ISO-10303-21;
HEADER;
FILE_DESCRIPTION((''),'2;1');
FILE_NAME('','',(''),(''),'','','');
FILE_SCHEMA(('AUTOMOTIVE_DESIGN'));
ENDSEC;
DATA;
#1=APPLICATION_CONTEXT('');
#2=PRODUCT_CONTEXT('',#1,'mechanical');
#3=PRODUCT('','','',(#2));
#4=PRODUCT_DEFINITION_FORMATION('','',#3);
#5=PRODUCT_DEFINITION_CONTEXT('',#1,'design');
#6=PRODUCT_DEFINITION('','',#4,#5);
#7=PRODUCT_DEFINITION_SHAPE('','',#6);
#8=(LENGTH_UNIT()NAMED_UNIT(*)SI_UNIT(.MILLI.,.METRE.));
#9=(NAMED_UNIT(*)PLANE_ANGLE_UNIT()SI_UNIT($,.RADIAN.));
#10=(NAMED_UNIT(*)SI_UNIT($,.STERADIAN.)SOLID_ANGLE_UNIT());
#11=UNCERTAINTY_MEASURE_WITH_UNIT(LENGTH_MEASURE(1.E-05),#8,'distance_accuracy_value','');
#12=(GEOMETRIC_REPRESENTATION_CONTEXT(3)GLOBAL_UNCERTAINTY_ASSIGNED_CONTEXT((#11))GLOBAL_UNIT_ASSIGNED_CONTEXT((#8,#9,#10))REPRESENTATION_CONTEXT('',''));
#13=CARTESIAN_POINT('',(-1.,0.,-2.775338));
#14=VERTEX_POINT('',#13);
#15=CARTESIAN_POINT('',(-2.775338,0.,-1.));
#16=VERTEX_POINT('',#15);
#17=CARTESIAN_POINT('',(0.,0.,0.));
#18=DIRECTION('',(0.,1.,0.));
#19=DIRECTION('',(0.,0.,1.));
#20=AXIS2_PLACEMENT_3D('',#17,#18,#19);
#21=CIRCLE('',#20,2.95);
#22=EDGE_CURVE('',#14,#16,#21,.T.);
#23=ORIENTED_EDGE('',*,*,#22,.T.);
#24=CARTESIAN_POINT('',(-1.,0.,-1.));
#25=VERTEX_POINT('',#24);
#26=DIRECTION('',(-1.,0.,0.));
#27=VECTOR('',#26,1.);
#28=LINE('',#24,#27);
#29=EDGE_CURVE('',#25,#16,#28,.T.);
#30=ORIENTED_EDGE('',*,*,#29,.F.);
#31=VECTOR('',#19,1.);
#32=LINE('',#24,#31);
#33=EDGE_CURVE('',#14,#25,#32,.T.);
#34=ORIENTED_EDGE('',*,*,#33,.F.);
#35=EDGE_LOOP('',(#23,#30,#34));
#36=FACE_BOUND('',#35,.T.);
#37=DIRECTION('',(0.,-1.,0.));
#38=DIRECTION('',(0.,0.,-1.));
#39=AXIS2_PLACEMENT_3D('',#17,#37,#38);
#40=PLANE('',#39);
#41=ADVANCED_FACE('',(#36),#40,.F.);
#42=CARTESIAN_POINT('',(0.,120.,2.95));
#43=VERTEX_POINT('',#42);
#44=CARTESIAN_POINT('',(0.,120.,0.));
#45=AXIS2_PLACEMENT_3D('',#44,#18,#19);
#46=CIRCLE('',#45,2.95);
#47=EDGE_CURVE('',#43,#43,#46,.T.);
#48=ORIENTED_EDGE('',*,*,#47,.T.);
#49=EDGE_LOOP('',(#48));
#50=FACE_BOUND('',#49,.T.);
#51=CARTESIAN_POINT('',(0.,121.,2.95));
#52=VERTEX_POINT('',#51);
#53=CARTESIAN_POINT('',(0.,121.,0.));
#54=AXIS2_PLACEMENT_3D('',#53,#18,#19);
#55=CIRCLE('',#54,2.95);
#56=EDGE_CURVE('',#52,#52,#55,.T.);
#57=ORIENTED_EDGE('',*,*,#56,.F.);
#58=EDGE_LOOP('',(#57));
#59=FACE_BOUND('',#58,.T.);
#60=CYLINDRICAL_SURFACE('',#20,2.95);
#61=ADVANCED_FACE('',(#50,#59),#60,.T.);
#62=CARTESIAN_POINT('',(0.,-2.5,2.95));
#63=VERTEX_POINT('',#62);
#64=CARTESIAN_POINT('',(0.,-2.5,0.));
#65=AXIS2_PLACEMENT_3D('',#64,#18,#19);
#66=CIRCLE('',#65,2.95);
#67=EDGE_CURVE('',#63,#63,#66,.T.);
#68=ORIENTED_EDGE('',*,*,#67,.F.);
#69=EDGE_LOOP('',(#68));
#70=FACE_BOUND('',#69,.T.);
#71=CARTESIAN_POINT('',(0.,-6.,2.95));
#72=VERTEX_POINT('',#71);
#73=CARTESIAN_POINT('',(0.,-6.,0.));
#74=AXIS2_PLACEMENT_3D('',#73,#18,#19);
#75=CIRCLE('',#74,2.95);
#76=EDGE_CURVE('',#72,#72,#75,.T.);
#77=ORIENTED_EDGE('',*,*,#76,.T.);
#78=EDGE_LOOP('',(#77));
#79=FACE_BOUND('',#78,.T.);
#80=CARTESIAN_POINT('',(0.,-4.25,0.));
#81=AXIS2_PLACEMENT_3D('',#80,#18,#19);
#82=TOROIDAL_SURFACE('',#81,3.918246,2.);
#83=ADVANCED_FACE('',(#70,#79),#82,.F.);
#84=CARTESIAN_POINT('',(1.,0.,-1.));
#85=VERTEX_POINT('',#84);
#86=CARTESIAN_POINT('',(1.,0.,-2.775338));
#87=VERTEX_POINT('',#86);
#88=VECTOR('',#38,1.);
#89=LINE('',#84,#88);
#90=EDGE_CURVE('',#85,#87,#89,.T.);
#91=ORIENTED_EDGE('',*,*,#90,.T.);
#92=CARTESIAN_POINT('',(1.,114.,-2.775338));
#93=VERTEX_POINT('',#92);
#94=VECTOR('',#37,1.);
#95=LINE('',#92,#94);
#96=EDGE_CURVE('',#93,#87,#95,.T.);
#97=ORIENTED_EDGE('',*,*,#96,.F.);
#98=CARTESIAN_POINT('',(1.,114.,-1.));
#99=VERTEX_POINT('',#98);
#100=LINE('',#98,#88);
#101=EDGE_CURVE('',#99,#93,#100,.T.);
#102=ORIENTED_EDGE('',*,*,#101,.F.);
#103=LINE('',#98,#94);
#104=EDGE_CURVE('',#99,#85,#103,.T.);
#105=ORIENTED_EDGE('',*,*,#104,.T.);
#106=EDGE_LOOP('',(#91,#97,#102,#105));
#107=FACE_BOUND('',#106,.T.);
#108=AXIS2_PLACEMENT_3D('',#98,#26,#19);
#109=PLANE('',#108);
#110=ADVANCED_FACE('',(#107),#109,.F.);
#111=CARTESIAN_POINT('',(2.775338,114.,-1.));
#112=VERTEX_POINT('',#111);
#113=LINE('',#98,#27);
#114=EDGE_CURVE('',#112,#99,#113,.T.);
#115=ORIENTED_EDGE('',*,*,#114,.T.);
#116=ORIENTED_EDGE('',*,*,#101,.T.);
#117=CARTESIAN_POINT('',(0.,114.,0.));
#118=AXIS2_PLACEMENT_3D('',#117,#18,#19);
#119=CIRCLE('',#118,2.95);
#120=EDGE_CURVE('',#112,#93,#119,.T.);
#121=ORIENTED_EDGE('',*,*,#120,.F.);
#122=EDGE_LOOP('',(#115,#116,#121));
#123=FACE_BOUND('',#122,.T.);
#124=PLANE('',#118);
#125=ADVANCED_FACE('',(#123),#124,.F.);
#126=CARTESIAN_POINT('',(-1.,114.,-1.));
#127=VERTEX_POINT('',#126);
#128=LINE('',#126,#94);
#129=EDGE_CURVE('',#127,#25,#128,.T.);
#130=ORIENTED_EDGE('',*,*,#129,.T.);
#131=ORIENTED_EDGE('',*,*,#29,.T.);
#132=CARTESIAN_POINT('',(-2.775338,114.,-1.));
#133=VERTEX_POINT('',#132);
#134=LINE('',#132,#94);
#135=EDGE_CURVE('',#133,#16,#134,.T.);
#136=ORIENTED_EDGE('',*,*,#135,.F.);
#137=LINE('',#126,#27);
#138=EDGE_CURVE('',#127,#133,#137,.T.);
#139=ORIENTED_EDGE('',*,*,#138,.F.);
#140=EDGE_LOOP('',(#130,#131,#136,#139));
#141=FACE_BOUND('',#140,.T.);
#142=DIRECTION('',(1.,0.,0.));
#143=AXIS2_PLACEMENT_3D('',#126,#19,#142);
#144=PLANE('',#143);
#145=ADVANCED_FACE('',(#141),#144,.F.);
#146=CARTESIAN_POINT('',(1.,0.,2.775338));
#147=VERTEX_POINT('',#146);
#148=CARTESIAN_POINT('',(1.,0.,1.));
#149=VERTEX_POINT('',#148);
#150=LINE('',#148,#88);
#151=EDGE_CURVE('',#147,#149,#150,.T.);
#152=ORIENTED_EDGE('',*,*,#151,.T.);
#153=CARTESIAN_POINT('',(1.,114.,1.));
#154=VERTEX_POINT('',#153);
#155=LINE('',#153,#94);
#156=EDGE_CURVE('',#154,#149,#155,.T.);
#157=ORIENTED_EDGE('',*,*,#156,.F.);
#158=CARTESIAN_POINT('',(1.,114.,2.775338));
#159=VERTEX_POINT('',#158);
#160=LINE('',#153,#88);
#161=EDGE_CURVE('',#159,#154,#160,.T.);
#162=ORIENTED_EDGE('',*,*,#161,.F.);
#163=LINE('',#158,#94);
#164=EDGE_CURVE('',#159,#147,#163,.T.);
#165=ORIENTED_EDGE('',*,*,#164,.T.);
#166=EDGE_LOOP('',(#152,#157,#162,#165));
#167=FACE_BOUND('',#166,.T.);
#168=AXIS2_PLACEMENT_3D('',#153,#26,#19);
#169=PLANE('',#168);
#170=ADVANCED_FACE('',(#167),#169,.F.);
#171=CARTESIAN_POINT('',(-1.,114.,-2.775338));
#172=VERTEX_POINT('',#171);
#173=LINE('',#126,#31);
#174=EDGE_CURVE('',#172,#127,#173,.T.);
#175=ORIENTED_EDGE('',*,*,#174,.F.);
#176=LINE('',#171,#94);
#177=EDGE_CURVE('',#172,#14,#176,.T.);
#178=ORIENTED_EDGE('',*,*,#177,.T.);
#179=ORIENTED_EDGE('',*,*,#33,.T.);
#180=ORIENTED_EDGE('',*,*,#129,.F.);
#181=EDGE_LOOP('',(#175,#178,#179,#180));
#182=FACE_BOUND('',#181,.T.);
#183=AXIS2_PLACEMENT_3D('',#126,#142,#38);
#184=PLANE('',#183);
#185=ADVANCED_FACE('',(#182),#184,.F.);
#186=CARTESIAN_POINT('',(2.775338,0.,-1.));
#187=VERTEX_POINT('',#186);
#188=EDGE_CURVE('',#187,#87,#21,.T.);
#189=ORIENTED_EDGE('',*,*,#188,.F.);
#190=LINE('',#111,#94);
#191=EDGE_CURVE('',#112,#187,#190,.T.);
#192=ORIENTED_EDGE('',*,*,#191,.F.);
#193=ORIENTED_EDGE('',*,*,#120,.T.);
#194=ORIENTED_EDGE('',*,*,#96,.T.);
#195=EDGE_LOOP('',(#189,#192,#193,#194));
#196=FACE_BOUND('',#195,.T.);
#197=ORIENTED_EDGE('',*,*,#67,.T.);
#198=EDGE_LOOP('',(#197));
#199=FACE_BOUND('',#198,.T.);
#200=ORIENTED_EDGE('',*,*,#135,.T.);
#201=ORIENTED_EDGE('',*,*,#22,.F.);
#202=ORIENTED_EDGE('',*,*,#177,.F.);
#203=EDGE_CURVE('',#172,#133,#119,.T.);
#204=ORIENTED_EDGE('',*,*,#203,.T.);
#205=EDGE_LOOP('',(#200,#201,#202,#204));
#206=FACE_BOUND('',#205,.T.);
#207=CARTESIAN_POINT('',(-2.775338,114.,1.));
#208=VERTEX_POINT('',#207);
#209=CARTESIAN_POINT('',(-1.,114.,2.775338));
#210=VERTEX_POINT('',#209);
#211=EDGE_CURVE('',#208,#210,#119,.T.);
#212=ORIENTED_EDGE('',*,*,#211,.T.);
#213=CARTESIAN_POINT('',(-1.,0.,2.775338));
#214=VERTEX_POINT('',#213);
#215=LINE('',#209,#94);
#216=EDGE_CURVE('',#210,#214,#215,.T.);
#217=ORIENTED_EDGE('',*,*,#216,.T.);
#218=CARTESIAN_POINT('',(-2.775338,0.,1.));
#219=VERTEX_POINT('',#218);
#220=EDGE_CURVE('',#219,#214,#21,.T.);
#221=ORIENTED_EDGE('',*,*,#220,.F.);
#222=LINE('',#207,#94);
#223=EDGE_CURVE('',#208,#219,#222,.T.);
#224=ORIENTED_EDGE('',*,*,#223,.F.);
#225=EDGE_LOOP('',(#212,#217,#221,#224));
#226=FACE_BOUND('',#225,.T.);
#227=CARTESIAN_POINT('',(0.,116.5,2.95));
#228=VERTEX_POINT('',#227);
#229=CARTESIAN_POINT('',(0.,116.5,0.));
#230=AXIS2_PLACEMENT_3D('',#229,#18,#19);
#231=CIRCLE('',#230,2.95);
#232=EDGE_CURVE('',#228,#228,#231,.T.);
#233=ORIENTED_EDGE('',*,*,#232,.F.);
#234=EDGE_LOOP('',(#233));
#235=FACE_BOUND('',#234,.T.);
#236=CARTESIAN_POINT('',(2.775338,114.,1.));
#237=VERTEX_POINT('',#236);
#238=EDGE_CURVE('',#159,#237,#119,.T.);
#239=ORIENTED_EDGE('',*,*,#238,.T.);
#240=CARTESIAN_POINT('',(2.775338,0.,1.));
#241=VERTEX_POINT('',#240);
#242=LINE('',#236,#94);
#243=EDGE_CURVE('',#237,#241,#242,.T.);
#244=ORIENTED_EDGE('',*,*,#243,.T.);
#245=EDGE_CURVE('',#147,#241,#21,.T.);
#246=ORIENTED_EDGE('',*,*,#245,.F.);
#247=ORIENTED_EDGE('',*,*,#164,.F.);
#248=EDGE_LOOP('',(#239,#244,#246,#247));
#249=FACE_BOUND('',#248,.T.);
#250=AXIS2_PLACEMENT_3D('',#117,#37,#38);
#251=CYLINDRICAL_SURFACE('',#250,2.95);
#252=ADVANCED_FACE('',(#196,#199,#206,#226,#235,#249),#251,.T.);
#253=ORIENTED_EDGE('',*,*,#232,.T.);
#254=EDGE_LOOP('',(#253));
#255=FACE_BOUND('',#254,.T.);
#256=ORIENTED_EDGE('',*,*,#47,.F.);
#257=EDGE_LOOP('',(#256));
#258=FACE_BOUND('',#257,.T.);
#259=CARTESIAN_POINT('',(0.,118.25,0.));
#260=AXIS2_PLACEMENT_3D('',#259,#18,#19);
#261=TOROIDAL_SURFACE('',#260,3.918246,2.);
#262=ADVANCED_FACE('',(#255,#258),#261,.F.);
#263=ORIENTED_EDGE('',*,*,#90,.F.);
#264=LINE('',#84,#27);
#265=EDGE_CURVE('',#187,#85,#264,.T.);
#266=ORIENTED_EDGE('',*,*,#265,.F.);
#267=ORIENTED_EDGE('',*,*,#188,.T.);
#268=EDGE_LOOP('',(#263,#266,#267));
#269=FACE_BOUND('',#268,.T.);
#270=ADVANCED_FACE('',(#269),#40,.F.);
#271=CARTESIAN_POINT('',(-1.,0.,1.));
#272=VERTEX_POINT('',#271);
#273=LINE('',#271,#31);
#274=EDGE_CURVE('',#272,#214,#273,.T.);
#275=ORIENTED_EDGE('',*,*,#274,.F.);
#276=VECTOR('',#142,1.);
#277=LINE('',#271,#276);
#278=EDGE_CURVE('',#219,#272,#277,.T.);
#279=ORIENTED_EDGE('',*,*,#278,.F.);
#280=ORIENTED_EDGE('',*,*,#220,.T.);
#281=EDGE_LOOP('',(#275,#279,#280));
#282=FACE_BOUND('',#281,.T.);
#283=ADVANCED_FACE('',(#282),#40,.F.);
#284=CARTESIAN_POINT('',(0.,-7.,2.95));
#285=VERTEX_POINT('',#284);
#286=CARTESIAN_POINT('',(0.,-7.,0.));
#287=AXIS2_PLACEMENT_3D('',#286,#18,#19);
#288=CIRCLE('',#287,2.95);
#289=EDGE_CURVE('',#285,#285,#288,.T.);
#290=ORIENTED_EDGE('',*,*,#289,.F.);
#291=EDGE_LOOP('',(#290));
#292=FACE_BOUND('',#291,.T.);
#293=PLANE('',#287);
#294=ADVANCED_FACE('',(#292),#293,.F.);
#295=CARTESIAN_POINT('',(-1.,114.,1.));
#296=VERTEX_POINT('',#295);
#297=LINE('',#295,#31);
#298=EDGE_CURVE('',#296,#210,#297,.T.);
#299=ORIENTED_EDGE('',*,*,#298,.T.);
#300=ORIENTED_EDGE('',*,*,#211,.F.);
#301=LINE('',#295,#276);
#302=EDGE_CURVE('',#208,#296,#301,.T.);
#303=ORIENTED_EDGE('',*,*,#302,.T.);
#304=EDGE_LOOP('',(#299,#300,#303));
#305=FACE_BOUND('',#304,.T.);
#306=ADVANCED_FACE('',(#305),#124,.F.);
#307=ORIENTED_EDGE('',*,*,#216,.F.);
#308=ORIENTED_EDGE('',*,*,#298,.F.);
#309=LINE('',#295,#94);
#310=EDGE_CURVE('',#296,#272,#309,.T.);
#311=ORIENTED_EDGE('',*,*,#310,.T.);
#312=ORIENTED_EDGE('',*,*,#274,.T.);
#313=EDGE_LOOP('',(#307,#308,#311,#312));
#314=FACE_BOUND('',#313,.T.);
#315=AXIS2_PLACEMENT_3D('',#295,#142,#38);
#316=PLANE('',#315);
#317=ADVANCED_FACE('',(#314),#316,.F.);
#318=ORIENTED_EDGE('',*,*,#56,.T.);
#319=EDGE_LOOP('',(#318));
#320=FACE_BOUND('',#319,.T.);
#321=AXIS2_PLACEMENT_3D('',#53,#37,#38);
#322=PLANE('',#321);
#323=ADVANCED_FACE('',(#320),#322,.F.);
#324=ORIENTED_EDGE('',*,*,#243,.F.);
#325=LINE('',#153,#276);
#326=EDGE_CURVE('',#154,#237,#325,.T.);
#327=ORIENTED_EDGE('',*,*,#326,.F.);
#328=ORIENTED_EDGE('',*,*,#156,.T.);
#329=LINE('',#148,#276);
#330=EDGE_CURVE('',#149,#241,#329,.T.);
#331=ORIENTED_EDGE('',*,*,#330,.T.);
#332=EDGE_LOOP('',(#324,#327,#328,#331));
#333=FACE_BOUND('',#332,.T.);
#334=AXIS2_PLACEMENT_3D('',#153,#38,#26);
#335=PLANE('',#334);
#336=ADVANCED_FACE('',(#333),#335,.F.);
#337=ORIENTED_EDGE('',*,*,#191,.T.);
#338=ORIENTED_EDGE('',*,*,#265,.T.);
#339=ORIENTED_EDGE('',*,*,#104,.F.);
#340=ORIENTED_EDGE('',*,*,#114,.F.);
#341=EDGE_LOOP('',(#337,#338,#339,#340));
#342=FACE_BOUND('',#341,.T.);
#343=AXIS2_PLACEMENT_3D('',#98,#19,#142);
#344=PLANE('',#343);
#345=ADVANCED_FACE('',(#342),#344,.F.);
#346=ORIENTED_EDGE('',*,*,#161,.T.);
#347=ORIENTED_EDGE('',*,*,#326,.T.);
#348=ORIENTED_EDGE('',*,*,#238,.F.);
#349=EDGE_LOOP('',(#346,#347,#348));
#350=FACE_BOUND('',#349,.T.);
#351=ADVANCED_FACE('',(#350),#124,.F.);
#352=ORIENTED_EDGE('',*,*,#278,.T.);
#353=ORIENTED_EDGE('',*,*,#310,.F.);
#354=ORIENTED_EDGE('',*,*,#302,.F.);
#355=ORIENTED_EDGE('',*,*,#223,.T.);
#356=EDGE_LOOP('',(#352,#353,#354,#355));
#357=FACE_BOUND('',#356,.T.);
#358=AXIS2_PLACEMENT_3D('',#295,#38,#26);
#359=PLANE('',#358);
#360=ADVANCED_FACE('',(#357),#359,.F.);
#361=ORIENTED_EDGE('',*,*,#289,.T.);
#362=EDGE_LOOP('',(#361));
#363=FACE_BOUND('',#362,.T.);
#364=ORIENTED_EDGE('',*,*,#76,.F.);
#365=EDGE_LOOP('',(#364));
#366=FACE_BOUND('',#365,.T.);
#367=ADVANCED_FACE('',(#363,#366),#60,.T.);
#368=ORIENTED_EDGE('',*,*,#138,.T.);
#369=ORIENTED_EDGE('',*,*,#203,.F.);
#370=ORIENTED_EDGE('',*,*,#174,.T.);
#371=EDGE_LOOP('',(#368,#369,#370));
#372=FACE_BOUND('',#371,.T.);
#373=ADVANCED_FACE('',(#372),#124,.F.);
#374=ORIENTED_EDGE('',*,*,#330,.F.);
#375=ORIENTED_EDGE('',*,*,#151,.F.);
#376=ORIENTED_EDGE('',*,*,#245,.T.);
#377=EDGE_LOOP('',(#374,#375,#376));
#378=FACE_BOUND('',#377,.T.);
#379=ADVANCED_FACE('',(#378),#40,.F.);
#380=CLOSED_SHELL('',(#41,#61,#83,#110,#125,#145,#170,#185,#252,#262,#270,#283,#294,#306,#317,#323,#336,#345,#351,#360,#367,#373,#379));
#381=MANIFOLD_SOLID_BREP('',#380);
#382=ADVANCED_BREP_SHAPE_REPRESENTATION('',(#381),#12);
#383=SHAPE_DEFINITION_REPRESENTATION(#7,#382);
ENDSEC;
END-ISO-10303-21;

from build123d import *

# Parameters (mm, degrees)
EXTRUDE_2_DEPTH = 114


with BuildPart() as part:
    # 草图1 → 凸台-拉伸2 (new body)
    with BuildSketch(Plane(origin=(0, 0, 0), x_dir=(1, 0, 0), z_dir=(0, 1, 0))):
        with BuildLine():
            Line((1, 1), (1, 2.775338))
            ThreePointArc((1, 2.775338), (0, 2.95), (-1, 2.775338))
            Line((-1, 2.775338), (-1, 1))
            Line((-1, 1), (-2.775338, 1))
            ThreePointArc((-2.775338, 1), (-2.95, 0), (-2.775338, -1))
            Line((-2.775338, -1), (-1, -1))
            Line((-1, -1), (-1, -2.775338))
            ThreePointArc((-1, -2.775338), (0, -2.95), (1, -2.775338))
            Line((1, -2.775338), (1, -1))
            Line((1, -1), (2.775338, -1))
            ThreePointArc((2.775338, -1), (2.95, 0), (2.775338, 1))
            Line((2.775338, 1), (1, 1))
        make_face()
    extrude(amount=EXTRUDE_2_DEPTH)

    # 草图3 → 旋转3 (revolve)
    with BuildSketch(Plane(origin=(0, 0, 0), x_dir=(0, 0, -1), z_dir=(1, 0, 0))):
        with BuildLine():
            Line((0, 114), (0, 121))
            Line((0, 121), (2.95, 121))
            Line((2.95, 121), (2.95, 120))
            ThreePointArc((2.95, 120), (1.918246, 118.25), (2.95, 116.5))
            Line((2.95, 116.5), (2.95, 114))
            Line((2.95, 114), (0, 114))
        make_face()
        with BuildLine():
            Line((0, 0), (0, -7))
            Line((0, -7), (2.95, -7))
            Line((2.95, -7), (2.95, -6))
            ThreePointArc((2.95, -6), (1.918246, -4.25), (2.95, -2.5))
            Line((2.95, -2.5), (2.95, 0))
            Line((2.95, 0), (0, 0))
        make_face()
    revolve(axis=Axis((0, 0, 0), (0, -1, 0)))


solid = part.part
